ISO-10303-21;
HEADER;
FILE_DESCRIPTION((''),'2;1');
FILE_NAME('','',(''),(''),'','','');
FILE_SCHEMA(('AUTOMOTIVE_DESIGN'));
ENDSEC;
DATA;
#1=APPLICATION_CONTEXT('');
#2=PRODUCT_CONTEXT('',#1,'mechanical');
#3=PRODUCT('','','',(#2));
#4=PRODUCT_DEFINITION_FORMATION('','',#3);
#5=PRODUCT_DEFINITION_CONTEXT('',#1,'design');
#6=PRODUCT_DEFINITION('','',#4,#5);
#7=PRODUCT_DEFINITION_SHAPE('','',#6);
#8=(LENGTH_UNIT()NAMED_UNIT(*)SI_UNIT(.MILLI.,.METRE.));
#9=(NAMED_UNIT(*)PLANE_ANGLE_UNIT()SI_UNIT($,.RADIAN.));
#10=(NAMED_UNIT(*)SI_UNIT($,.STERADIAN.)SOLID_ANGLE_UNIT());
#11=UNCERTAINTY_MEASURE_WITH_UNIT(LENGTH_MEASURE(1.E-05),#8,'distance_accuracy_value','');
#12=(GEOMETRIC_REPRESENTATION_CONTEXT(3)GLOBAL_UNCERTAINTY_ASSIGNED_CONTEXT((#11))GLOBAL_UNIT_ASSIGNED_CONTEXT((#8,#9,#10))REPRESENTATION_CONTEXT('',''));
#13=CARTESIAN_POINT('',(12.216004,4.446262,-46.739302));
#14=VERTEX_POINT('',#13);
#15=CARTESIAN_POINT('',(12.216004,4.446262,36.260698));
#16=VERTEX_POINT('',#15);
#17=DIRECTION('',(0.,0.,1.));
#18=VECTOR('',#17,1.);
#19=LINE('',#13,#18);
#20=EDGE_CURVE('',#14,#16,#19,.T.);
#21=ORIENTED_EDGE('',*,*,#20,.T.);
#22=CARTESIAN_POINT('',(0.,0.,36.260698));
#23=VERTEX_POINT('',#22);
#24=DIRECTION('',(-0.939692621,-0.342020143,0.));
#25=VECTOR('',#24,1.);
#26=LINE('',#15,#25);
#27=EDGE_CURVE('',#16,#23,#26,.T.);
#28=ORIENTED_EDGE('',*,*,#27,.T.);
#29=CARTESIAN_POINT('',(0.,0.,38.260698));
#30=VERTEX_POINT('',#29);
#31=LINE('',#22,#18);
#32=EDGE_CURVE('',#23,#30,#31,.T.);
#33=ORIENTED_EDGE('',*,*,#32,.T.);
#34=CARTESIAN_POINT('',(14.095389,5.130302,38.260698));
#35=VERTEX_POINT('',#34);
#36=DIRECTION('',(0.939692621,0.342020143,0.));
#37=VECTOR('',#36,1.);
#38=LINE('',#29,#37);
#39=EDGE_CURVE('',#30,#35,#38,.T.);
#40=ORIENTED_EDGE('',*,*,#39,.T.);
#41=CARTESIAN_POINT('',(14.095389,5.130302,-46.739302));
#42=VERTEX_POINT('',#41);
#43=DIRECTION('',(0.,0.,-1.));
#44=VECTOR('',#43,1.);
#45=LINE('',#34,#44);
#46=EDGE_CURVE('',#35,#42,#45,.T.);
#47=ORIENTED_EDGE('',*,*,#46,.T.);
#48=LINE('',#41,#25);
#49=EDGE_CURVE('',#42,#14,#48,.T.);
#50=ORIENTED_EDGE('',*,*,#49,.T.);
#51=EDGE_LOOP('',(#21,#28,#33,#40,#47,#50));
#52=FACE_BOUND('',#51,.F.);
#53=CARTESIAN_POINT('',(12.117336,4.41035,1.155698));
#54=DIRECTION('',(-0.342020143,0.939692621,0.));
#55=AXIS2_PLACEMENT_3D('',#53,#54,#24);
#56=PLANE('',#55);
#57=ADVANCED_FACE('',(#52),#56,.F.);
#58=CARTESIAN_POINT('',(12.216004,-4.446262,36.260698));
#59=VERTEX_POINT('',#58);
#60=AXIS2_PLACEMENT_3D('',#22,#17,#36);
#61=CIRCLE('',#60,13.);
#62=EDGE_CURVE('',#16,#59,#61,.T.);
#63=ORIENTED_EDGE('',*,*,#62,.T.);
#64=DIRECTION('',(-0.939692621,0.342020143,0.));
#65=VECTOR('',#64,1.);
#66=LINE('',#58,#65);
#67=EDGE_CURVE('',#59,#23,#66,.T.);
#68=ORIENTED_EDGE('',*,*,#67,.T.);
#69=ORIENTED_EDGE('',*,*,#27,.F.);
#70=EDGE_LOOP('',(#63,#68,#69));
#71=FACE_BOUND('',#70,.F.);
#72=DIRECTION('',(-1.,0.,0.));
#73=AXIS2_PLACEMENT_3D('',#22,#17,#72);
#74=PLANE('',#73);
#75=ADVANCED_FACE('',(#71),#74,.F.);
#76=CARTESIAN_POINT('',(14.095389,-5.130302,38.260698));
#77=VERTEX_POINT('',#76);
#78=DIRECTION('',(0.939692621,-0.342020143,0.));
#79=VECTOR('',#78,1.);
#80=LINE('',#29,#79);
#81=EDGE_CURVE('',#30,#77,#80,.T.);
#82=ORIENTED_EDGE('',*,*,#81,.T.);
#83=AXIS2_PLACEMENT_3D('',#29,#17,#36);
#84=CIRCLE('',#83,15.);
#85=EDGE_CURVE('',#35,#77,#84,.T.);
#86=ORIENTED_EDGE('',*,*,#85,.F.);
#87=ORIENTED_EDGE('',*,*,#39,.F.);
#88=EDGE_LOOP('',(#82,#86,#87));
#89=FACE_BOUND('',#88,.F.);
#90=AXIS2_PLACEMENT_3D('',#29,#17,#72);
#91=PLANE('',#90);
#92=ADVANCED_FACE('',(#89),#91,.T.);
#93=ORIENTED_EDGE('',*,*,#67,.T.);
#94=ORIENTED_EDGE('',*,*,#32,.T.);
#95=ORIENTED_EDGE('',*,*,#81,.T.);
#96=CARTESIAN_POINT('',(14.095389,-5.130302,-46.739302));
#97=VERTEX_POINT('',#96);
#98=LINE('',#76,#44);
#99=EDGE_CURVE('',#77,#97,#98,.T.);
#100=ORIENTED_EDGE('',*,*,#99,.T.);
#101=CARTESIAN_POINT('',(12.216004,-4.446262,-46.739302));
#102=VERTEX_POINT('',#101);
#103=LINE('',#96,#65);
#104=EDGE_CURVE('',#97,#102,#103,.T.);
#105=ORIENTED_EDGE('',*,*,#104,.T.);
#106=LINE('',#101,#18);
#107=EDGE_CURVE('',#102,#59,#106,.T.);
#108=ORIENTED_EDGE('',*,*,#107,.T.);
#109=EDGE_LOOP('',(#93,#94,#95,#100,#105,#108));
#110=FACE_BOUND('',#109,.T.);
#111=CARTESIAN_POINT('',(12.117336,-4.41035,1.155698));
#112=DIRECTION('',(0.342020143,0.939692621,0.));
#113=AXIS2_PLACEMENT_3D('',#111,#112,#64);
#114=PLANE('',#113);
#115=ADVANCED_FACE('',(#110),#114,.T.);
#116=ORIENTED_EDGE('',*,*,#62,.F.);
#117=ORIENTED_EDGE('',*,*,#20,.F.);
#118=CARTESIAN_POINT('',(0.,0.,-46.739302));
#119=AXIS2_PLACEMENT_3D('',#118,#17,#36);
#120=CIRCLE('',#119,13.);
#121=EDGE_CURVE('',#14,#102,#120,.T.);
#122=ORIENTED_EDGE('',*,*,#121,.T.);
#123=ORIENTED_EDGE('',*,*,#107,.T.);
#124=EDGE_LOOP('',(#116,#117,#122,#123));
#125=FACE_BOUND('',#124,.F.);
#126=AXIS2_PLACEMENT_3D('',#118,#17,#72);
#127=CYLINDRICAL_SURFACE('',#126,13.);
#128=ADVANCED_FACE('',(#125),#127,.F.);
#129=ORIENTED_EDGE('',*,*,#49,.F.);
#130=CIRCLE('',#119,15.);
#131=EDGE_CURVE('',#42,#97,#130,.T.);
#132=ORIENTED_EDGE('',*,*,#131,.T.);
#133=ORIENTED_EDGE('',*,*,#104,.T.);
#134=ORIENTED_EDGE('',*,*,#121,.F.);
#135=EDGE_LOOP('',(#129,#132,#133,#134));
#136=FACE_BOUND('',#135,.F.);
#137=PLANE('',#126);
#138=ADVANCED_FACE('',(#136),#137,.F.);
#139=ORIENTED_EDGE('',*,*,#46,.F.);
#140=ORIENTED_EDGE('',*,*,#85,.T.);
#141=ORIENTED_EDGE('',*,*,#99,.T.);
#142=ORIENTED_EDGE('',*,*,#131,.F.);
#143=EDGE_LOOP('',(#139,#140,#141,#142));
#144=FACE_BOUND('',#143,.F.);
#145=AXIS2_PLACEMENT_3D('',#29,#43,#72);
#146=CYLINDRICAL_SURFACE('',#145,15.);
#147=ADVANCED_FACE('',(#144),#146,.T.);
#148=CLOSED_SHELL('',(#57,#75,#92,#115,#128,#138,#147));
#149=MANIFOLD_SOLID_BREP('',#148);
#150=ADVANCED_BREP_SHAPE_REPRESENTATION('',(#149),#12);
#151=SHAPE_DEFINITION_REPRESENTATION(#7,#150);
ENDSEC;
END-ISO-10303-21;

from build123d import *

# Parameters (mm, degrees)
F2_ANGLE = 320


with BuildPart() as f2:
    # F0 (on Front) → F2 (revolve, symmetric)
    with BuildSketch(Plane.XZ) as f2_sk:
        Polygon((0, 36.260698), (0, 38.260698), (-15, 38.260698), (-15, -46.739302), (-13, -46.739302), (-13, 36.260698), align=None)
    revolve(axis=Axis((0, 0, -8.945528), (0, 0, -1)), revolution_arc=F2_ANGLE / 2)
    revolve(f2_sk.sketch, axis=Axis((0, 0, -8.945528), (0, 0, 1)), revolution_arc=F2_ANGLE / 2)


solid = f2.part
